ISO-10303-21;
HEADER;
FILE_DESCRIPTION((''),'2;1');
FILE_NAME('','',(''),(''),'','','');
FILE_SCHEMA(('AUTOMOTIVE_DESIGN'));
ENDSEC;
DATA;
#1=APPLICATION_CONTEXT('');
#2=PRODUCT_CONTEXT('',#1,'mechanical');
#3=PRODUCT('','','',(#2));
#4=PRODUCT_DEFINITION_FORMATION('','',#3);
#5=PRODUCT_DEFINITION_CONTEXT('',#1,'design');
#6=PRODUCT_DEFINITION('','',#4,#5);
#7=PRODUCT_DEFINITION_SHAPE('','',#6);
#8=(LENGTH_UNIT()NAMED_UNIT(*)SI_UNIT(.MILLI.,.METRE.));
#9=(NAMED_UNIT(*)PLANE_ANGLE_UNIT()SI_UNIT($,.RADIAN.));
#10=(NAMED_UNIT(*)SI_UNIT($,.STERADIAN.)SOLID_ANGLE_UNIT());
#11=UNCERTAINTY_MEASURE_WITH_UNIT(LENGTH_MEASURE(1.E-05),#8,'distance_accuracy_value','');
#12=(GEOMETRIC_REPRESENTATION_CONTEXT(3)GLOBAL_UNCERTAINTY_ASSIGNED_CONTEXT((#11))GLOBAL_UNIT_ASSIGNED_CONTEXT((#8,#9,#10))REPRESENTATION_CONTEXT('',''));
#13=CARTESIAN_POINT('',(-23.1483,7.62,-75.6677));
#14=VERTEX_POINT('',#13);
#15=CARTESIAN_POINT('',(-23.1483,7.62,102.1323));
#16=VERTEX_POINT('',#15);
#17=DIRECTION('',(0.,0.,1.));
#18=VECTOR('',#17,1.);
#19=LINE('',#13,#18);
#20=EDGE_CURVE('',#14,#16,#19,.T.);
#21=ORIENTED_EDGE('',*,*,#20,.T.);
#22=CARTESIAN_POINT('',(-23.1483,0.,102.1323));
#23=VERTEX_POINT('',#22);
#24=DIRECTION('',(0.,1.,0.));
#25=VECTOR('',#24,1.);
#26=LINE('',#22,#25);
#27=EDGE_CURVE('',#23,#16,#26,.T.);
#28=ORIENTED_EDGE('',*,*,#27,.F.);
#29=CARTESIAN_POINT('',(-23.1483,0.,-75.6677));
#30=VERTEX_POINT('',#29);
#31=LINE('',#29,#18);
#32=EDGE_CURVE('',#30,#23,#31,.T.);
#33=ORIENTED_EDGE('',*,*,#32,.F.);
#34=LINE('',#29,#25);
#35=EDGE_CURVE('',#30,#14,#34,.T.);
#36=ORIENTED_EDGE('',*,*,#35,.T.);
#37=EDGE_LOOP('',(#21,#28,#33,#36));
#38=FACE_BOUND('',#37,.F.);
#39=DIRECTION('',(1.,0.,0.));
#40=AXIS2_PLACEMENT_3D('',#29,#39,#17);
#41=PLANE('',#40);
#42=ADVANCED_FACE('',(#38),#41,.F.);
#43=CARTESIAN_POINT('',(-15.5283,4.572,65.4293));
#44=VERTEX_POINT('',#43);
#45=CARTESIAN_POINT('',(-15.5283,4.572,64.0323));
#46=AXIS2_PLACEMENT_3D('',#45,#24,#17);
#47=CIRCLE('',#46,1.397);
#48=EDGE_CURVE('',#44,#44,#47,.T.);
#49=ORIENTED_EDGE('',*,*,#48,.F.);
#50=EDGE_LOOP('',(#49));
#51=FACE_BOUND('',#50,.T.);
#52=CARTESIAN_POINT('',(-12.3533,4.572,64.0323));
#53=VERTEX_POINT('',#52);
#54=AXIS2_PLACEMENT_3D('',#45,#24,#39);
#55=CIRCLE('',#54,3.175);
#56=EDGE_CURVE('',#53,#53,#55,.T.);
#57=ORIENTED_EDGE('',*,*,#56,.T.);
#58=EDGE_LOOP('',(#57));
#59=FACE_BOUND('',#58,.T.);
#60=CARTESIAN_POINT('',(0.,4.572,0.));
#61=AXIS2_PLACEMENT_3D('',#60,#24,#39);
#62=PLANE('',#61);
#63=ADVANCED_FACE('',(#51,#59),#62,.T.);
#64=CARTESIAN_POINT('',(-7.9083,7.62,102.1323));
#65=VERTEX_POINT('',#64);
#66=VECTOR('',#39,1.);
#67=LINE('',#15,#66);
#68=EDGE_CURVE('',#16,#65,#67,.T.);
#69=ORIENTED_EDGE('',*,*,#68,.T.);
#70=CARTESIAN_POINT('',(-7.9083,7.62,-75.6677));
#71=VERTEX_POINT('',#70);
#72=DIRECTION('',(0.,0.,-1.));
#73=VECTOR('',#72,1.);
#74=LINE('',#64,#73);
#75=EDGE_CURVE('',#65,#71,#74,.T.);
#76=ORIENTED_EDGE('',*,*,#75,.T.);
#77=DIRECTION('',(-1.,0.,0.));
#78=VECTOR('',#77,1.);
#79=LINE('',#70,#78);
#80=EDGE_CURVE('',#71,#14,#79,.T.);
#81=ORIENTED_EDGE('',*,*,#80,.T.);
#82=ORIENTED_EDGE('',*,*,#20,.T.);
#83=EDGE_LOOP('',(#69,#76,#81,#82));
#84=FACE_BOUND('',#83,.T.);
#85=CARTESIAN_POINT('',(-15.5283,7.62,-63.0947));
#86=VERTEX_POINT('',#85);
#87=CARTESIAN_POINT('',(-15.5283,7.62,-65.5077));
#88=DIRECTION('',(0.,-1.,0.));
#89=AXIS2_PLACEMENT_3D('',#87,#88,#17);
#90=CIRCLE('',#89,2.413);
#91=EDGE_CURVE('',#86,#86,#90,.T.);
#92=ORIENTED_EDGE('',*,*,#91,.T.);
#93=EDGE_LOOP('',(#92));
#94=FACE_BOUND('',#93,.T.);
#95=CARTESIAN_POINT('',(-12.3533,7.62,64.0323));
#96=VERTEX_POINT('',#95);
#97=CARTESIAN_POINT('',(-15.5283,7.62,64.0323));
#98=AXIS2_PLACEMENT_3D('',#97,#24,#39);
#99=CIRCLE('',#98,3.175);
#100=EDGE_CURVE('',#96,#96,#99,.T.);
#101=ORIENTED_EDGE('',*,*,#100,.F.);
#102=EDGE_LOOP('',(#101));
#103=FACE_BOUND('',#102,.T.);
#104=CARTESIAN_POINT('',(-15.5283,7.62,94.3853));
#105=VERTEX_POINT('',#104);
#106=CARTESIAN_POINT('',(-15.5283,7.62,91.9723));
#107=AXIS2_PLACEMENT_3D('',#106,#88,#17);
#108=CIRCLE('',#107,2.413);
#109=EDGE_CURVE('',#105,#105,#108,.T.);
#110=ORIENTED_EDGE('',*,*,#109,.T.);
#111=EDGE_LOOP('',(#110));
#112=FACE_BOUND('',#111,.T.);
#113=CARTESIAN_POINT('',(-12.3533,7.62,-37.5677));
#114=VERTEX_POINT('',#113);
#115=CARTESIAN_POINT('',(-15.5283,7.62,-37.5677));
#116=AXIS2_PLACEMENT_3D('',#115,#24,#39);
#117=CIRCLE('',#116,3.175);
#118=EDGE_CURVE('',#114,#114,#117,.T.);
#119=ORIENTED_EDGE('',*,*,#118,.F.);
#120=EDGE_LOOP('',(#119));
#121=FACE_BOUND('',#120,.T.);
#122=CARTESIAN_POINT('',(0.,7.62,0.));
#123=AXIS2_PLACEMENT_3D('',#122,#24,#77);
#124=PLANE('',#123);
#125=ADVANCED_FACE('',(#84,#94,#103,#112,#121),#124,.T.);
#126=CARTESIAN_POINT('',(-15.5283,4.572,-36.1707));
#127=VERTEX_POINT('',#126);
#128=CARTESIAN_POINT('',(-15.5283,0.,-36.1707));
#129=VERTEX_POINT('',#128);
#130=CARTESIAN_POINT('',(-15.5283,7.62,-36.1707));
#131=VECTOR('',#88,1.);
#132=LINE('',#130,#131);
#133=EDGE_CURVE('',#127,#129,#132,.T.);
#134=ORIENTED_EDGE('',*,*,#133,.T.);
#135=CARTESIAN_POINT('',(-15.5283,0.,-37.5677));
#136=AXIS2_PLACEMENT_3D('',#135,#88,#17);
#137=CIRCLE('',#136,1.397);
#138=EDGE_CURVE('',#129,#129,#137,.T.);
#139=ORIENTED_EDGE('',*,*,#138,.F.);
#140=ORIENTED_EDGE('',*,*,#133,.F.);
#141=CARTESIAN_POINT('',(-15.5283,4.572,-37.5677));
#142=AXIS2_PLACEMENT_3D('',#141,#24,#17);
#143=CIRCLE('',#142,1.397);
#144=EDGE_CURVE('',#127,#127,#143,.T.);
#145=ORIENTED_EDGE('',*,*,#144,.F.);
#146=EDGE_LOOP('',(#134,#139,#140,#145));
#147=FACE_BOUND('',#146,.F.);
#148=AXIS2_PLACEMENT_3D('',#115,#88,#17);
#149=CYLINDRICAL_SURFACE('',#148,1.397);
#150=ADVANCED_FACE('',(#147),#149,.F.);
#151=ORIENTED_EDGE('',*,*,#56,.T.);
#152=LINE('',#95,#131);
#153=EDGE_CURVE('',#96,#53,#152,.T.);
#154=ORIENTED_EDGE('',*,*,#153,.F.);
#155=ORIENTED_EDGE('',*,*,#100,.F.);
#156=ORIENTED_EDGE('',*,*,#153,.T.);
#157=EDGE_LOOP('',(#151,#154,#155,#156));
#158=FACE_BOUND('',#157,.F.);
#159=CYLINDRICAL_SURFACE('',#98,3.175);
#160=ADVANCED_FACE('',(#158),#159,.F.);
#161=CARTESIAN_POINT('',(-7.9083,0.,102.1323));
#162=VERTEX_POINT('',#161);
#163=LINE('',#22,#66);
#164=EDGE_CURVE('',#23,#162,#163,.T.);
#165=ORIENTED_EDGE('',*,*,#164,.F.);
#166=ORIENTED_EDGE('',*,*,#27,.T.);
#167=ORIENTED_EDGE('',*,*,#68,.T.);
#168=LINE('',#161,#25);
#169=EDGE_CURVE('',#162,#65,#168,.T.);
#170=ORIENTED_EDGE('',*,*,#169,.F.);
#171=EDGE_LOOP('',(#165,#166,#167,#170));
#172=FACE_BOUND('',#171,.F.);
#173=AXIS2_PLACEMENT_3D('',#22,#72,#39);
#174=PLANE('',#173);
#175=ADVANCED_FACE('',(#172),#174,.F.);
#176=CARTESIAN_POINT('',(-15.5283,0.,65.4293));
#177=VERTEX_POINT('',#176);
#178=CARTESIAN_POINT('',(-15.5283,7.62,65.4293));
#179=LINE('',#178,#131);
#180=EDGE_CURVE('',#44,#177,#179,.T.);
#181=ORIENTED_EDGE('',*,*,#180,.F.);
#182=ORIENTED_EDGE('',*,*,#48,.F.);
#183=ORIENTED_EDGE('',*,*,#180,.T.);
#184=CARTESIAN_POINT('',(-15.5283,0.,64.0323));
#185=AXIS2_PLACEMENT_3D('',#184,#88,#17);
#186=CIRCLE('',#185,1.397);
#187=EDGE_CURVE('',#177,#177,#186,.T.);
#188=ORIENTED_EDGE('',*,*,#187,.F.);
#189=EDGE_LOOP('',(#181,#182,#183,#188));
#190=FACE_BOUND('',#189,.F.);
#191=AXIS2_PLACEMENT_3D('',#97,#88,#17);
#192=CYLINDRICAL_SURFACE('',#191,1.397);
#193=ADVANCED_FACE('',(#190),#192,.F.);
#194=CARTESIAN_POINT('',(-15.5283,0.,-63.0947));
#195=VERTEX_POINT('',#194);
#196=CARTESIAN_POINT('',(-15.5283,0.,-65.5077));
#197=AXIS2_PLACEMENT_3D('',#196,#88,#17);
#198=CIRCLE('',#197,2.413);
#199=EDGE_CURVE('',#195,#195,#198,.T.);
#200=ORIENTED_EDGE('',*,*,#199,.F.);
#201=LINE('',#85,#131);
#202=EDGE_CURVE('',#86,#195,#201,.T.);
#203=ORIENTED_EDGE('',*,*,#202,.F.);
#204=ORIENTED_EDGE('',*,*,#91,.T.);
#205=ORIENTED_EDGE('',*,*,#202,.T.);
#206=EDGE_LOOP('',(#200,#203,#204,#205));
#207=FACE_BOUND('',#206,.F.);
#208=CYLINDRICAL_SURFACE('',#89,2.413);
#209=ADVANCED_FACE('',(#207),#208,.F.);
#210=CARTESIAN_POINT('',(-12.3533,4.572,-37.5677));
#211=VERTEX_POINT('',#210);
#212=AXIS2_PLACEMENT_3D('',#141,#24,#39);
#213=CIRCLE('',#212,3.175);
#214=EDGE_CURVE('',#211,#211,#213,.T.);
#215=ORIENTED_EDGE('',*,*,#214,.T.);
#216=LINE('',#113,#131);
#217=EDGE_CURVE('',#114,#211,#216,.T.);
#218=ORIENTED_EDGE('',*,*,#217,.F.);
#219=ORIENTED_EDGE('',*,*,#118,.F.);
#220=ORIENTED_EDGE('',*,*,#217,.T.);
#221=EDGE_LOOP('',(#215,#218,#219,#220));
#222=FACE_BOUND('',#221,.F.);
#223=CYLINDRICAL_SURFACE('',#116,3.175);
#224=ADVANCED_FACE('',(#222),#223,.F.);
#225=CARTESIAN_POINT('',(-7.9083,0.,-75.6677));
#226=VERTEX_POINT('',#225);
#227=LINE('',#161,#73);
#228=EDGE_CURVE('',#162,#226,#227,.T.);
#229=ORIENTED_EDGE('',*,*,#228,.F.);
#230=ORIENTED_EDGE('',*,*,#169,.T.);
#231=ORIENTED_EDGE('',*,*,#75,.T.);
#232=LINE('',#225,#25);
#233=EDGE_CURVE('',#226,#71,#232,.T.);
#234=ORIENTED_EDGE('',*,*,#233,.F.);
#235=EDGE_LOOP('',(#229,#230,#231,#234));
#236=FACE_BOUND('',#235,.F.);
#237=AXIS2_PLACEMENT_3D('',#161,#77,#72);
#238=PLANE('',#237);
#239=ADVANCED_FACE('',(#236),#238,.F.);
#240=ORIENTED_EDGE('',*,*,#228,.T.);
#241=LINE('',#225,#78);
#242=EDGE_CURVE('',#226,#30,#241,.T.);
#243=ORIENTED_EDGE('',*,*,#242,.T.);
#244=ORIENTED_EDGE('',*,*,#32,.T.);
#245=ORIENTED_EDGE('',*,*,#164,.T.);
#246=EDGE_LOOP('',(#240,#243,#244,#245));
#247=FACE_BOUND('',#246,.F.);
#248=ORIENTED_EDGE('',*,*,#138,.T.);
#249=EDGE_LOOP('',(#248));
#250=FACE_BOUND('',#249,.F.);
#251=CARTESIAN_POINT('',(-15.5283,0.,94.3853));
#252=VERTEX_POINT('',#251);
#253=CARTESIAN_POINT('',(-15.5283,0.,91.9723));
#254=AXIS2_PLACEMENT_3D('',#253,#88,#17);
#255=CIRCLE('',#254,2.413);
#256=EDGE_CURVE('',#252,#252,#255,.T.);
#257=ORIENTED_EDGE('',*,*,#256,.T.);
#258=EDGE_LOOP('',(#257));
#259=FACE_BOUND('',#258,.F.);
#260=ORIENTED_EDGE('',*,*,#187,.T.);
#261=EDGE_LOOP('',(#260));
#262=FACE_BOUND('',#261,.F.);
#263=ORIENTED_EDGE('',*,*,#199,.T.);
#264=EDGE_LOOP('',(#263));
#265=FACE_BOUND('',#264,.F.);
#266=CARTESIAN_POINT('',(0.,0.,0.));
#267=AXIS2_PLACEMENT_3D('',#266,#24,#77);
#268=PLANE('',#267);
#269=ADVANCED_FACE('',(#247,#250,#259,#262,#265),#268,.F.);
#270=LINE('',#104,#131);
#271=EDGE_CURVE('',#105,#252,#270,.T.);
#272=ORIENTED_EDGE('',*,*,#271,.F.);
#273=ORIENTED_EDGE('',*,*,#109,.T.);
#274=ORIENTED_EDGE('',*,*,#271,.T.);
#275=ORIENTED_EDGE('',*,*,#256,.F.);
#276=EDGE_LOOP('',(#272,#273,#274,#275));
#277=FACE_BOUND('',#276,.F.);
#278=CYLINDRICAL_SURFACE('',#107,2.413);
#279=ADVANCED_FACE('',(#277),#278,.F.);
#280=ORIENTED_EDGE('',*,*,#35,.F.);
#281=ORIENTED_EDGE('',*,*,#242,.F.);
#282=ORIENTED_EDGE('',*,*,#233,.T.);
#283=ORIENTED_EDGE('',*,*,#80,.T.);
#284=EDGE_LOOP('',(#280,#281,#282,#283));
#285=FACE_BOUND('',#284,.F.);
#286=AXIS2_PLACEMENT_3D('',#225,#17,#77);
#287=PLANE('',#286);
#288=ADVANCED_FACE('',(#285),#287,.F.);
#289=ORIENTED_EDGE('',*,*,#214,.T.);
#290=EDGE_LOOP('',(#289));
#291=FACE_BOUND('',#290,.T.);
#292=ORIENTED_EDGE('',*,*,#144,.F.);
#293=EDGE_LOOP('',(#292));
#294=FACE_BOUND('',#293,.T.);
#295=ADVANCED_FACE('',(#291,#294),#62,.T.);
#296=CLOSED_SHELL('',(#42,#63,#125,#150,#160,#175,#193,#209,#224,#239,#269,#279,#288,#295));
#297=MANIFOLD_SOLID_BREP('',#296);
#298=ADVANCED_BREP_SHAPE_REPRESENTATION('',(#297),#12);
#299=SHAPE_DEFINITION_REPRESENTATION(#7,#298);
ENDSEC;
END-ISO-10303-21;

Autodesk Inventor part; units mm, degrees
ref_plane "YZ Plane" through (0, 0, 0) normal (1, 0, 0) x (0, 1, 0)
ref_plane "XZ Plane" through (0, 0, 0) normal (0, 1, 0) x (-1, 0, 0)
ref_plane "XY Plane" through (0, 0, 0) normal (0, 0, 1) x (1, 0, 0)
sketch "Sketch1" plane through (0, 0, 0) normal (0, 1, 0) x (-1, 0, 0)
  line L0 (23.1483, 102.1323) -> (7.9083, 102.1323)
  line L1 (7.9083, 102.1323) -> (7.9083, -75.6677)
  line L2 (7.9083, -75.6677) -> (23.1483, -75.6677)
  line L3 (23.1483, -75.6677) -> (23.1483, 102.1323)
  point P0 (0, 0)
  dimension "d0" = 177.8
  dimension "d1" = 15.24
extrude "Extrusion1" add sketch "Sketch1" along normal blind 7.62
sketch "Sketch2" plane through (0, 7.62, 0) normal (0, 1, 0) x (1, 0, 0)
  line L0 (-23.1483, 75.6677) -> (-23.1483, -102.1323) projected
  line L1 (-7.9083, 75.6677) -> (-23.1483, 75.6677) projected
  line L2 (-23.1483, -102.1323) -> (-7.9083, -102.1323) projected
  point P0 (0, 0)
  point P1 (-15.5283, -64.0323)
  point P2 (-15.5283, 37.5677)
  dimension "d4" = 0
  dimension "d5" = 101.6
  dimension "d6" = 7.62
  dimension "d7" = 38.1
  dimension "d8" = 38.1
hole "Hole1" at (-15.5283, 7.62, 64.0323) at (-15.5283, 7.62, -37.5677) direction (0, -1, 0) diameter 2.794 end through all
sketch "Sketch3" plane through (0, 7.62, 0) normal (0, 1, 0) x (1, 0, 0)
  circle A0 centre (-15.5283, -64.0323) radius 1.397 projected
  circle A1 centre (-15.5283, 37.5677) radius 1.397 projected
  circle A2 centre (-15.5283, -64.0323) radius 3.175
  circle A3 centre (-15.5283, 37.5677) radius 3.175
  point P0 (0, 0)
  dimension "d16" = 6.35
  dimension "d17" = 6.35
extrude "Extrusion2" cut sketch "Sketch3" against normal blind 3.048
sketch "Sketch4" plane through (0, 7.62, 0) normal (0, 1, 0) x (1, 0, 0)
  line L0 (-7.9083, -102.1323) -> (-7.9083, 75.6677) projected
  line L1 (-23.1483, -102.1323) -> (-7.9083, -102.1323) projected
  line L2 (-7.9083, 75.6677) -> (-23.1483, 75.6677) projected
  point P0 (0, 0)
  point P1 (-15.5283, -91.9723)
  point P2 (-15.5283, 65.5077)
  dimension "d20" = 0
  dimension "d21" = 7.62
  dimension "d22" = 10.16
  dimension "d23" = 10.16
hole "Hole2" at (-15.5283, 7.62, 91.9723) at (-15.5283, 7.62, -65.5077) direction (0, -1, 0) diameter 4.826 end through all
properties part number "RioConnectors"
